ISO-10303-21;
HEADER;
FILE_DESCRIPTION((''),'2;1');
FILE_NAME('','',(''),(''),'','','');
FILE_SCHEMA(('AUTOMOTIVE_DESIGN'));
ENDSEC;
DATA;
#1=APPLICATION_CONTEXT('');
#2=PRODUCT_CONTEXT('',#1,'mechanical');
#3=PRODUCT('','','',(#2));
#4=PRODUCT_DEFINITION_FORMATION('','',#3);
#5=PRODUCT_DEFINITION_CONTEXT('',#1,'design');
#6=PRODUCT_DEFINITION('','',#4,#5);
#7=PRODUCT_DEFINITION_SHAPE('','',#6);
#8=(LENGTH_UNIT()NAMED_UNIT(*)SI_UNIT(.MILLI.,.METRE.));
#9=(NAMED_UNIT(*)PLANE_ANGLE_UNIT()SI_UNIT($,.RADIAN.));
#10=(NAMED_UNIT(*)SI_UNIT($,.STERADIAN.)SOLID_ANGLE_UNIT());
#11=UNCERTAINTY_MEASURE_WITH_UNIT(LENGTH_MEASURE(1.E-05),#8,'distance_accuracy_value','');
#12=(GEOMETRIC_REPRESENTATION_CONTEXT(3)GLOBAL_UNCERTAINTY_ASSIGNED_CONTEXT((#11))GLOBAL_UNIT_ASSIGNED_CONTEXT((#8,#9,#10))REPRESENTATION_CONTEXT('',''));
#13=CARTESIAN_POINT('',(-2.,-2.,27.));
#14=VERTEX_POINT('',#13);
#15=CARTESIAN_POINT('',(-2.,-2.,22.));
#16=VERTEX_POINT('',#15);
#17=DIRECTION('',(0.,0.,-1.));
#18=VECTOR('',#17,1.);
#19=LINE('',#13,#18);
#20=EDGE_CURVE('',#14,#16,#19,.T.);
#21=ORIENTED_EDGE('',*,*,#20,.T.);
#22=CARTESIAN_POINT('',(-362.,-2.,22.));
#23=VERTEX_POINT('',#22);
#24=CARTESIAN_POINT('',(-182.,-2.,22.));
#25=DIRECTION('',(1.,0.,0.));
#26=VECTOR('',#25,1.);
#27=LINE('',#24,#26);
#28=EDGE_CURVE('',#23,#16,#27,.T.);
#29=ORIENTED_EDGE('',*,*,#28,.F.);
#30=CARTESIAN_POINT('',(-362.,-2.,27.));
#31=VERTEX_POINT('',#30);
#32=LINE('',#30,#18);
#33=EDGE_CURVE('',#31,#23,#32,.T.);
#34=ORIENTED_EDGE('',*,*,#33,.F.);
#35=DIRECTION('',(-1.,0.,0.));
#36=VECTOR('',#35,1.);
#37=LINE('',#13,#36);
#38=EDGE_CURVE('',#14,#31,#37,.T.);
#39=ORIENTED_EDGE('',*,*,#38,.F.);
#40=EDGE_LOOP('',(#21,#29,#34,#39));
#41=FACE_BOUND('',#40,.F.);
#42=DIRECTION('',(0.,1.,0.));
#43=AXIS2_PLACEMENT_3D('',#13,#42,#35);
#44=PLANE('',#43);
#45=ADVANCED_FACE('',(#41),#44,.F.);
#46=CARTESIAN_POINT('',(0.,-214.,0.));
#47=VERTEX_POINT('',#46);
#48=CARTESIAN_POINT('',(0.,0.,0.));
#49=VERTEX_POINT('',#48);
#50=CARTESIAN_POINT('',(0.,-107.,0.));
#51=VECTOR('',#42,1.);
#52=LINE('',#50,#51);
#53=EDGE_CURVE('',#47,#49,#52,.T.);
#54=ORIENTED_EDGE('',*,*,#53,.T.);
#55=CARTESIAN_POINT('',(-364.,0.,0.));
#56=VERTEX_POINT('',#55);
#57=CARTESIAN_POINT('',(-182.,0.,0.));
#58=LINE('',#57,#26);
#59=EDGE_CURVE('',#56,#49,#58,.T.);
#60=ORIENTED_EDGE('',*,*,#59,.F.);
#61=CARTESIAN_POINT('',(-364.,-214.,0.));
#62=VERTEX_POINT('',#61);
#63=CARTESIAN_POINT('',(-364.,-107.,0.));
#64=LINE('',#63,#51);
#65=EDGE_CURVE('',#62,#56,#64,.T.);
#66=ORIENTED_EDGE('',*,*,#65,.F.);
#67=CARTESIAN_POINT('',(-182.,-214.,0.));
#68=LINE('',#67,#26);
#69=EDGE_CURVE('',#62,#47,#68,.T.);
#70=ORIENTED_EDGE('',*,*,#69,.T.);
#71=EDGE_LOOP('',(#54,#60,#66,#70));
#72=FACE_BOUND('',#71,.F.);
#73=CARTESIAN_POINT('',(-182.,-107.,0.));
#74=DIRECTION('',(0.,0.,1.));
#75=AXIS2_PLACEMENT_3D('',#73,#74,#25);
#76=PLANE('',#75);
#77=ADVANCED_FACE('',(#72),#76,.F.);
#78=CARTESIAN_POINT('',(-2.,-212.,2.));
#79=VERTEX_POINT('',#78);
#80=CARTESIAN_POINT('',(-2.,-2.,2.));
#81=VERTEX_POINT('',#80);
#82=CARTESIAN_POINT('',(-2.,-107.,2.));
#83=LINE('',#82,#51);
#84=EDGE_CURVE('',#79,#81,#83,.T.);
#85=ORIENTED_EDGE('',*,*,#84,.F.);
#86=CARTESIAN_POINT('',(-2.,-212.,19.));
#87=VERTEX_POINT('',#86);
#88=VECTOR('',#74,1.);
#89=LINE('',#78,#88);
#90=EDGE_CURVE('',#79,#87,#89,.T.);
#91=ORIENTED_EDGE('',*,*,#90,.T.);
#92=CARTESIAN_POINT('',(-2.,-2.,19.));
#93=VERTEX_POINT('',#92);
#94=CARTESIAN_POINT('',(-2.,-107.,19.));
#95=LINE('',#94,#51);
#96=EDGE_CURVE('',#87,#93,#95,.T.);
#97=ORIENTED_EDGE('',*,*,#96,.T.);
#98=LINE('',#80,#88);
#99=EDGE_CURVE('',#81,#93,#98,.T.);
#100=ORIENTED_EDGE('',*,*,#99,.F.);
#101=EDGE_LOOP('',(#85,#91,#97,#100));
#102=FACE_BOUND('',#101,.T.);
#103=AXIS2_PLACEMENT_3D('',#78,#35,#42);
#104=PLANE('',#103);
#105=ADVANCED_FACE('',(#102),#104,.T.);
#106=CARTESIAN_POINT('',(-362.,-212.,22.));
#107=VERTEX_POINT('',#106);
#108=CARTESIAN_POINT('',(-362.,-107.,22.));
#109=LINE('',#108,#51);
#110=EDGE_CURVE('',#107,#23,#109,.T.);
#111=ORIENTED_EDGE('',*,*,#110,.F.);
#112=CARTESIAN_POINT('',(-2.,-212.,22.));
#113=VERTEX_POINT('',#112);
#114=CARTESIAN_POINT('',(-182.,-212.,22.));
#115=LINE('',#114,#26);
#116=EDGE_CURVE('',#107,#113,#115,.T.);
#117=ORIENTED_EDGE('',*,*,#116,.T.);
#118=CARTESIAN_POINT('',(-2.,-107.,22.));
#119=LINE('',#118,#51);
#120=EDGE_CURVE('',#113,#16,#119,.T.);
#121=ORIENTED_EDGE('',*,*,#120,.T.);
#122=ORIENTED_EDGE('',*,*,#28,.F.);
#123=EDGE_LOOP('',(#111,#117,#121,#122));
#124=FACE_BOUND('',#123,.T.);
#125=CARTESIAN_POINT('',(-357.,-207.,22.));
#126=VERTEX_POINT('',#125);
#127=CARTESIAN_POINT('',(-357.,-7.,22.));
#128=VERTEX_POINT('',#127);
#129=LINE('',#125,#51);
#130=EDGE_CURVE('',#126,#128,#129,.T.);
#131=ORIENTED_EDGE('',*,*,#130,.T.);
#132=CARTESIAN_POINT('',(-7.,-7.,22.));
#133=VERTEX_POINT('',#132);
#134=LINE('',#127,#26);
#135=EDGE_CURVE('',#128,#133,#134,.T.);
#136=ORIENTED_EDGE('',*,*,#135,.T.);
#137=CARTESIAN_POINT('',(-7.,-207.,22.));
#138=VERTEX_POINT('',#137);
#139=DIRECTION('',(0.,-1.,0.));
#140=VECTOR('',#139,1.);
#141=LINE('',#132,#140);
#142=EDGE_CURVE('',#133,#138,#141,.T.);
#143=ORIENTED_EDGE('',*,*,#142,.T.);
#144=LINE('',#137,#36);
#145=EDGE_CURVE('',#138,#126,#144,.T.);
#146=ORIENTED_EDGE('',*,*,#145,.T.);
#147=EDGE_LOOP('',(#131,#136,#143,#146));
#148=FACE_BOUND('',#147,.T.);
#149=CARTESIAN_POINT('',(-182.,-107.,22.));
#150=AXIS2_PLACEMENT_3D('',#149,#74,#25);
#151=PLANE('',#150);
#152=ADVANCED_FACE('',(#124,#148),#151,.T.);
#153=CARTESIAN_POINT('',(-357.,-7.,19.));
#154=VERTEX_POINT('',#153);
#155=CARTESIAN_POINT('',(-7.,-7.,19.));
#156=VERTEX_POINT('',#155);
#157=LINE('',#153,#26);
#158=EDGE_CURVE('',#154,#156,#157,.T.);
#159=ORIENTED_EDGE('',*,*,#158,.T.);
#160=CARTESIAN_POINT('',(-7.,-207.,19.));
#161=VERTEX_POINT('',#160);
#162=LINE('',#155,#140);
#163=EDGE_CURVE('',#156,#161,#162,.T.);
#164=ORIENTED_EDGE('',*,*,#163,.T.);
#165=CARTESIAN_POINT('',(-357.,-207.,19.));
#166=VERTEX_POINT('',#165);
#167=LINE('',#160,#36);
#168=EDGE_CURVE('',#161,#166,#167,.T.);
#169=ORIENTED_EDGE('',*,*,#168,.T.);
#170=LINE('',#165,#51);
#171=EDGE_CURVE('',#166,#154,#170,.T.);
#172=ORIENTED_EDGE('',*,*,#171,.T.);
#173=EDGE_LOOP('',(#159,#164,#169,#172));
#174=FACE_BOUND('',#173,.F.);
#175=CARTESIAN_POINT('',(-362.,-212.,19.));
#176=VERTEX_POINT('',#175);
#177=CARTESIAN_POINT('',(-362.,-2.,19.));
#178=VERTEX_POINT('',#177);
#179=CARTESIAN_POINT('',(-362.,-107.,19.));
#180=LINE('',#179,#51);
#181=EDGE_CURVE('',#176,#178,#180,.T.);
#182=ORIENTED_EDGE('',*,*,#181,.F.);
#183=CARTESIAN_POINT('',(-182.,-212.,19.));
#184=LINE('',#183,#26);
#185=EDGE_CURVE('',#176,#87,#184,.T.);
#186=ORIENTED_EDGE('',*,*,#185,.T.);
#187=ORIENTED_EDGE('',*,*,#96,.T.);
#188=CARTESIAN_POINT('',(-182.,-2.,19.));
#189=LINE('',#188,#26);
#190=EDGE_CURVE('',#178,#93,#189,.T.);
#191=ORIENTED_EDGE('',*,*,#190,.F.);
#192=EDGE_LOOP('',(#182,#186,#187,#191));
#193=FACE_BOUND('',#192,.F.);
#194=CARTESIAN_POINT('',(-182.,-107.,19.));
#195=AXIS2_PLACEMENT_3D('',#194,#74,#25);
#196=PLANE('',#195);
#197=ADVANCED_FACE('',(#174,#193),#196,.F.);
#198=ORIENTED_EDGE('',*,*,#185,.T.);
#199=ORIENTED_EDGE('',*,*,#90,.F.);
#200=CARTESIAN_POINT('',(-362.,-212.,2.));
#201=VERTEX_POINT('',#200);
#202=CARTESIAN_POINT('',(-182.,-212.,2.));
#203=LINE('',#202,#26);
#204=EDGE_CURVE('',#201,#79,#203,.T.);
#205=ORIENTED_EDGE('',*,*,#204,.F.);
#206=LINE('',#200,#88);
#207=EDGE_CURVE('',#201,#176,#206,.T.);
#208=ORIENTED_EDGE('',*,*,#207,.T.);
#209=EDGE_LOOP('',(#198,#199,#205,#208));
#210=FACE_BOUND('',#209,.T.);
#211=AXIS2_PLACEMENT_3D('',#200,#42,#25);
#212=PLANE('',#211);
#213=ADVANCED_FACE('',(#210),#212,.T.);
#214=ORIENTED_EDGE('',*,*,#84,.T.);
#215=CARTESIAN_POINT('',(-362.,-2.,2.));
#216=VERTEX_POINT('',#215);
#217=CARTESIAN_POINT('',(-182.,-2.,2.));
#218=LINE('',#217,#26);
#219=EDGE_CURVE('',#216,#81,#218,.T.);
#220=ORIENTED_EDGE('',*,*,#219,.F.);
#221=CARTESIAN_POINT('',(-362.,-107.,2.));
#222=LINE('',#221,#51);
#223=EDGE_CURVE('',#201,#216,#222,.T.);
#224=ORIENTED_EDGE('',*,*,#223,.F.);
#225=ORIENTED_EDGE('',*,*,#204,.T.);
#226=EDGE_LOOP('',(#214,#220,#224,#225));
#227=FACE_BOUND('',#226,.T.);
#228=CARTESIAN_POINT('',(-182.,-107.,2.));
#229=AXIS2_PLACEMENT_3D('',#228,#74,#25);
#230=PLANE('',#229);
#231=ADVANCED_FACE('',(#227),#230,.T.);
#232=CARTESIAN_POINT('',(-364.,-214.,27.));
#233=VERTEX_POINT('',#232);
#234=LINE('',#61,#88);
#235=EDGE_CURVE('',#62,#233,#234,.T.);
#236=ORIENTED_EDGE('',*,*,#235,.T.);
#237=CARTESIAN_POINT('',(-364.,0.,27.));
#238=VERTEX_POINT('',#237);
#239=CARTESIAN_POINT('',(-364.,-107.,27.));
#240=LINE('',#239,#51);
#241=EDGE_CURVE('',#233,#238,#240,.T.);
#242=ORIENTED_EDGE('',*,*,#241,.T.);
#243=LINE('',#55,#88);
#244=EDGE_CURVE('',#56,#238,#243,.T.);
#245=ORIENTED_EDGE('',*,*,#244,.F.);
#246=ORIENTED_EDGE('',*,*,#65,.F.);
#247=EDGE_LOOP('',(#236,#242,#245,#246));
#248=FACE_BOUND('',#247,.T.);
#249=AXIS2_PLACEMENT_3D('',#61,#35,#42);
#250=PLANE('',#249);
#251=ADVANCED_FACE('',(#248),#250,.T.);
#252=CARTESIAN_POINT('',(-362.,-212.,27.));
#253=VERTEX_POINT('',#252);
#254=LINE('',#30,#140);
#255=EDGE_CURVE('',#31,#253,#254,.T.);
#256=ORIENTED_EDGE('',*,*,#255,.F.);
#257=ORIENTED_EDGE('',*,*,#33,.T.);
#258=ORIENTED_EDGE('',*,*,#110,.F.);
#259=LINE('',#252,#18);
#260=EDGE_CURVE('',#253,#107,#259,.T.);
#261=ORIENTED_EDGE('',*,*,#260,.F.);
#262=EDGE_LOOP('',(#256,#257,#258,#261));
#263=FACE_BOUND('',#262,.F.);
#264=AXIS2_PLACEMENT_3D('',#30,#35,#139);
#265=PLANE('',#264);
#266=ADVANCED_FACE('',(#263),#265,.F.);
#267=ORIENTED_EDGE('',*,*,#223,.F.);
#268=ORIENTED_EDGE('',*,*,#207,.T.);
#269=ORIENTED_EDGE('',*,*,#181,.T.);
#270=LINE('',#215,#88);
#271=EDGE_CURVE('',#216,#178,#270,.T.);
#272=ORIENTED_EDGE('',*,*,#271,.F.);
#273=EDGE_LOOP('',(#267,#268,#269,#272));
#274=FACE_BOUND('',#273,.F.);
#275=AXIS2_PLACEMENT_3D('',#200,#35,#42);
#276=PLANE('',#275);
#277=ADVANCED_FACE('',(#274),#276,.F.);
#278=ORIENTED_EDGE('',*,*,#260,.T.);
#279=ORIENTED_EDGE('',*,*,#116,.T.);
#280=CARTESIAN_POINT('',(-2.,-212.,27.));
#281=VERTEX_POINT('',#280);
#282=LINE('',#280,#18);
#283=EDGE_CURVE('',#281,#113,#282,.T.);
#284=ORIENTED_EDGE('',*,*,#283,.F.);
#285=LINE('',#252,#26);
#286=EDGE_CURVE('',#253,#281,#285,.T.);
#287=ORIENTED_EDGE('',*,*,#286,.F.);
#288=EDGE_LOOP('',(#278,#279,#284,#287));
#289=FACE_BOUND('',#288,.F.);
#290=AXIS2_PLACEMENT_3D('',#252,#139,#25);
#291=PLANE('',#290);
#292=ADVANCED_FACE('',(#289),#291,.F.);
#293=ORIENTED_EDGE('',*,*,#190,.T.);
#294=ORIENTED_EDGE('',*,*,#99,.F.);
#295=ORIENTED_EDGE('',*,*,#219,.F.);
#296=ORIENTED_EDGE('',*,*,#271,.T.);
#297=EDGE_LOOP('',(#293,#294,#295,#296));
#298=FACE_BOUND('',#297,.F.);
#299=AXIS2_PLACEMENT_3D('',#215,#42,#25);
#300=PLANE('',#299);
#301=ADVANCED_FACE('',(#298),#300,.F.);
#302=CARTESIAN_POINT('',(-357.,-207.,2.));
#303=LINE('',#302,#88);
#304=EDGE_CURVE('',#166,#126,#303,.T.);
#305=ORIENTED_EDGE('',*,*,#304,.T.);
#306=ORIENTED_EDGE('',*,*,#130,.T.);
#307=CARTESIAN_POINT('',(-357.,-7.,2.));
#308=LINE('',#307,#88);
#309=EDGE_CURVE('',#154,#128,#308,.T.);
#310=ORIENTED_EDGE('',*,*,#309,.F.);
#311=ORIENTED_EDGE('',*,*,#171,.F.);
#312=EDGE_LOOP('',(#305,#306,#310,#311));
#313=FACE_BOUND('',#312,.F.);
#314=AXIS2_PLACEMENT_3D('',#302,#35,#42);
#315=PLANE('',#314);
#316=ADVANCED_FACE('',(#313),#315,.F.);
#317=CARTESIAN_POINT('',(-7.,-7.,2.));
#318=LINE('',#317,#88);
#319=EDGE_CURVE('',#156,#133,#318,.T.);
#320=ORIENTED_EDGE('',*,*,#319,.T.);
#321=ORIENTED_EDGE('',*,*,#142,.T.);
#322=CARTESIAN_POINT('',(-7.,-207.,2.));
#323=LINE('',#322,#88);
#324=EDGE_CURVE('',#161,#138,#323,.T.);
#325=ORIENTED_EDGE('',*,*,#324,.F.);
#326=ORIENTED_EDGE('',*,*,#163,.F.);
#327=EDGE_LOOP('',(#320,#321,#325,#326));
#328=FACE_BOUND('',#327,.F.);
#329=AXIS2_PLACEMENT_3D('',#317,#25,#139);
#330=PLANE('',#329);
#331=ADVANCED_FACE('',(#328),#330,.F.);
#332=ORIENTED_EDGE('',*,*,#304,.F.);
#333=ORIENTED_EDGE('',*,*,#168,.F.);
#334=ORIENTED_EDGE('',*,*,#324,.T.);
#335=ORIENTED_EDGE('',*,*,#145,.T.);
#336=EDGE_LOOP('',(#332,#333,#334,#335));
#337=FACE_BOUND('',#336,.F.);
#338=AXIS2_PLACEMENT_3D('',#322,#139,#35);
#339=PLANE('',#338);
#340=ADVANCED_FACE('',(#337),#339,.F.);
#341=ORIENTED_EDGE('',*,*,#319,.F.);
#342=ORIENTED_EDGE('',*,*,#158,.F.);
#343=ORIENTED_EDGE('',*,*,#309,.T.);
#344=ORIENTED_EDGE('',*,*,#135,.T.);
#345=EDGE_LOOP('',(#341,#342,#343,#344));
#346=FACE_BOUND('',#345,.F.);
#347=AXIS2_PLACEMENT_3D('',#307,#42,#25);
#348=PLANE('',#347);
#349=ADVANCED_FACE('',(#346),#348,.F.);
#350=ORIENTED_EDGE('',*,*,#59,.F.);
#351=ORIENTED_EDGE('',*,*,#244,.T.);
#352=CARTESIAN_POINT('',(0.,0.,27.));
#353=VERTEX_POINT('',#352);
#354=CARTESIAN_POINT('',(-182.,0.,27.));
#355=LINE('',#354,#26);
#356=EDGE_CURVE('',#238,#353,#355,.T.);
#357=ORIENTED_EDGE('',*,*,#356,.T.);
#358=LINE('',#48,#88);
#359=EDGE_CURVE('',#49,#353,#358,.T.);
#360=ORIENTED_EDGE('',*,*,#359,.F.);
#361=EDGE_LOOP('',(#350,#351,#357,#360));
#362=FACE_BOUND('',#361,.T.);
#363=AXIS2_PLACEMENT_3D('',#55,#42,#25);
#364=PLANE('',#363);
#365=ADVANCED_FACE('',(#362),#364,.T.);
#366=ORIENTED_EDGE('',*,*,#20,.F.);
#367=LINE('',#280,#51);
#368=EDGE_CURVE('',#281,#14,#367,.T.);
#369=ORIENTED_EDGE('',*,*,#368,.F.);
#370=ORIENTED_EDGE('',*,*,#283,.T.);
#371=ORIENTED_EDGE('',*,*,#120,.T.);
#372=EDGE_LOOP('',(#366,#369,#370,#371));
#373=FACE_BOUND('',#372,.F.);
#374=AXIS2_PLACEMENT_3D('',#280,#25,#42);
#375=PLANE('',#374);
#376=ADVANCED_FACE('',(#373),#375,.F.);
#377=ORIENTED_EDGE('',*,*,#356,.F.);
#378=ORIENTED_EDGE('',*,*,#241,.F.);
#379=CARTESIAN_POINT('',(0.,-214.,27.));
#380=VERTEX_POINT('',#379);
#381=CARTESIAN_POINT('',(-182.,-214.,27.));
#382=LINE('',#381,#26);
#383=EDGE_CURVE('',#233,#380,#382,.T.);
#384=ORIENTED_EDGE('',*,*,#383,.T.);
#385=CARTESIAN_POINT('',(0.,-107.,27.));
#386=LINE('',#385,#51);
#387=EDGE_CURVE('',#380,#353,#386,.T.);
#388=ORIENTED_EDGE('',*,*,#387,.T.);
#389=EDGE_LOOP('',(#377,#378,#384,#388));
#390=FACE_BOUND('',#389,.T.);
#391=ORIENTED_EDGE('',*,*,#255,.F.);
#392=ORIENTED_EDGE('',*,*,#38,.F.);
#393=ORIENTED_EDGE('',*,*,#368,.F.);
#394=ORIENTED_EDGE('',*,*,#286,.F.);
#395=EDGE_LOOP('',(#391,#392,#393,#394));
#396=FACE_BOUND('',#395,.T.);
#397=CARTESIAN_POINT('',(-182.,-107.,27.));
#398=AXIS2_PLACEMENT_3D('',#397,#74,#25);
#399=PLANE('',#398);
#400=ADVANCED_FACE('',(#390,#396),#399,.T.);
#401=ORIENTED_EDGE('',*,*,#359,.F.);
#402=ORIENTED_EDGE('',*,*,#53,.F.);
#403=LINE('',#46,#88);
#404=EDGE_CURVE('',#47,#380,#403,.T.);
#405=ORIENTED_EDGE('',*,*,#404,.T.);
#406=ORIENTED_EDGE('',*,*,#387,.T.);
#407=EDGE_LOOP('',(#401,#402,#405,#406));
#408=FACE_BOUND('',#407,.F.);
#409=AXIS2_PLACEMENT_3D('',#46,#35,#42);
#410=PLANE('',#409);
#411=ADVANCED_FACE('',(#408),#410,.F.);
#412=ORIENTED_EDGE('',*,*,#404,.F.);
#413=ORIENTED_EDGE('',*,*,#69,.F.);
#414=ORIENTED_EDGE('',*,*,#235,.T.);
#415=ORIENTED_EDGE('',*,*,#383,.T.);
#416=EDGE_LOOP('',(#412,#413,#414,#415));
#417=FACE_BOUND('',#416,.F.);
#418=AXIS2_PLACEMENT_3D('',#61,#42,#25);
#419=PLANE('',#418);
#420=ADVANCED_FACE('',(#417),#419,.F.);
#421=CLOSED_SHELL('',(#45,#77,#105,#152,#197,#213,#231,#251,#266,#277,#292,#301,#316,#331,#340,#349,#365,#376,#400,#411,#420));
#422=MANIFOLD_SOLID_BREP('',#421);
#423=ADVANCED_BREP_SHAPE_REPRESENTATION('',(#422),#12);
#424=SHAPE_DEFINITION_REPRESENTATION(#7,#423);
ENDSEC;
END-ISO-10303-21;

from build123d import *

# Parameters (mm, degrees)
F0_W     = 364
F0_H     = 214
F1_DEPTH = 27
F3_DEPTH = 25
F4_W     = 360
F4_H     = 210
F5_DEPTH = 20
F6_DEPTH = 17


with BuildPart() as f1:
    # F0 (on Top) → F1 (new body)
    with BuildSketch(Plane.XY):
        with Locations((-182, -107)):
            Rectangle(F0_W, F0_H)
    extrude(amount=F1_DEPTH)

    # F2 (on face) → F3 (cut)
    with BuildSketch(Plane.XY.offset(27)):
        Polygon((-2, -2), (-246.590644, -2), (-362, -2), (-362, -107), (-362, -212), (-247.691646, -212), (-2, -212), (-2, -112.870261), align=None)
    extrude(amount=-F3_DEPTH, mode=Mode.SUBTRACT)

    # F4 (on face) → F5 (join)
    with BuildSketch(Plane.XY.offset(2)):
        with Locations((-182, -107)):
            Rectangle(F4_W, F4_H)
        Polygon((-357, -207), (-357, -107), (-357, -7), (-279.820502, -7), (-7, -7), (-7, -107), (-7, -207), (-279.820502, -207), align=None, mode=Mode.SUBTRACT)
    extrude(amount=F5_DEPTH)

    # F4 (on face) → F6 (cut)
    with BuildSketch(Plane.XY.offset(2)):
        with Locations((-182, -107)):
            Rectangle(F4_W, F4_H)
        Polygon((-357, -207), (-357, -107), (-357, -7), (-279.820502, -7), (-7, -7), (-7, -107), (-7, -207), (-279.820502, -207), align=None, mode=Mode.SUBTRACT)
    extrude(amount=F6_DEPTH, mode=Mode.SUBTRACT)


solid = f1.part
